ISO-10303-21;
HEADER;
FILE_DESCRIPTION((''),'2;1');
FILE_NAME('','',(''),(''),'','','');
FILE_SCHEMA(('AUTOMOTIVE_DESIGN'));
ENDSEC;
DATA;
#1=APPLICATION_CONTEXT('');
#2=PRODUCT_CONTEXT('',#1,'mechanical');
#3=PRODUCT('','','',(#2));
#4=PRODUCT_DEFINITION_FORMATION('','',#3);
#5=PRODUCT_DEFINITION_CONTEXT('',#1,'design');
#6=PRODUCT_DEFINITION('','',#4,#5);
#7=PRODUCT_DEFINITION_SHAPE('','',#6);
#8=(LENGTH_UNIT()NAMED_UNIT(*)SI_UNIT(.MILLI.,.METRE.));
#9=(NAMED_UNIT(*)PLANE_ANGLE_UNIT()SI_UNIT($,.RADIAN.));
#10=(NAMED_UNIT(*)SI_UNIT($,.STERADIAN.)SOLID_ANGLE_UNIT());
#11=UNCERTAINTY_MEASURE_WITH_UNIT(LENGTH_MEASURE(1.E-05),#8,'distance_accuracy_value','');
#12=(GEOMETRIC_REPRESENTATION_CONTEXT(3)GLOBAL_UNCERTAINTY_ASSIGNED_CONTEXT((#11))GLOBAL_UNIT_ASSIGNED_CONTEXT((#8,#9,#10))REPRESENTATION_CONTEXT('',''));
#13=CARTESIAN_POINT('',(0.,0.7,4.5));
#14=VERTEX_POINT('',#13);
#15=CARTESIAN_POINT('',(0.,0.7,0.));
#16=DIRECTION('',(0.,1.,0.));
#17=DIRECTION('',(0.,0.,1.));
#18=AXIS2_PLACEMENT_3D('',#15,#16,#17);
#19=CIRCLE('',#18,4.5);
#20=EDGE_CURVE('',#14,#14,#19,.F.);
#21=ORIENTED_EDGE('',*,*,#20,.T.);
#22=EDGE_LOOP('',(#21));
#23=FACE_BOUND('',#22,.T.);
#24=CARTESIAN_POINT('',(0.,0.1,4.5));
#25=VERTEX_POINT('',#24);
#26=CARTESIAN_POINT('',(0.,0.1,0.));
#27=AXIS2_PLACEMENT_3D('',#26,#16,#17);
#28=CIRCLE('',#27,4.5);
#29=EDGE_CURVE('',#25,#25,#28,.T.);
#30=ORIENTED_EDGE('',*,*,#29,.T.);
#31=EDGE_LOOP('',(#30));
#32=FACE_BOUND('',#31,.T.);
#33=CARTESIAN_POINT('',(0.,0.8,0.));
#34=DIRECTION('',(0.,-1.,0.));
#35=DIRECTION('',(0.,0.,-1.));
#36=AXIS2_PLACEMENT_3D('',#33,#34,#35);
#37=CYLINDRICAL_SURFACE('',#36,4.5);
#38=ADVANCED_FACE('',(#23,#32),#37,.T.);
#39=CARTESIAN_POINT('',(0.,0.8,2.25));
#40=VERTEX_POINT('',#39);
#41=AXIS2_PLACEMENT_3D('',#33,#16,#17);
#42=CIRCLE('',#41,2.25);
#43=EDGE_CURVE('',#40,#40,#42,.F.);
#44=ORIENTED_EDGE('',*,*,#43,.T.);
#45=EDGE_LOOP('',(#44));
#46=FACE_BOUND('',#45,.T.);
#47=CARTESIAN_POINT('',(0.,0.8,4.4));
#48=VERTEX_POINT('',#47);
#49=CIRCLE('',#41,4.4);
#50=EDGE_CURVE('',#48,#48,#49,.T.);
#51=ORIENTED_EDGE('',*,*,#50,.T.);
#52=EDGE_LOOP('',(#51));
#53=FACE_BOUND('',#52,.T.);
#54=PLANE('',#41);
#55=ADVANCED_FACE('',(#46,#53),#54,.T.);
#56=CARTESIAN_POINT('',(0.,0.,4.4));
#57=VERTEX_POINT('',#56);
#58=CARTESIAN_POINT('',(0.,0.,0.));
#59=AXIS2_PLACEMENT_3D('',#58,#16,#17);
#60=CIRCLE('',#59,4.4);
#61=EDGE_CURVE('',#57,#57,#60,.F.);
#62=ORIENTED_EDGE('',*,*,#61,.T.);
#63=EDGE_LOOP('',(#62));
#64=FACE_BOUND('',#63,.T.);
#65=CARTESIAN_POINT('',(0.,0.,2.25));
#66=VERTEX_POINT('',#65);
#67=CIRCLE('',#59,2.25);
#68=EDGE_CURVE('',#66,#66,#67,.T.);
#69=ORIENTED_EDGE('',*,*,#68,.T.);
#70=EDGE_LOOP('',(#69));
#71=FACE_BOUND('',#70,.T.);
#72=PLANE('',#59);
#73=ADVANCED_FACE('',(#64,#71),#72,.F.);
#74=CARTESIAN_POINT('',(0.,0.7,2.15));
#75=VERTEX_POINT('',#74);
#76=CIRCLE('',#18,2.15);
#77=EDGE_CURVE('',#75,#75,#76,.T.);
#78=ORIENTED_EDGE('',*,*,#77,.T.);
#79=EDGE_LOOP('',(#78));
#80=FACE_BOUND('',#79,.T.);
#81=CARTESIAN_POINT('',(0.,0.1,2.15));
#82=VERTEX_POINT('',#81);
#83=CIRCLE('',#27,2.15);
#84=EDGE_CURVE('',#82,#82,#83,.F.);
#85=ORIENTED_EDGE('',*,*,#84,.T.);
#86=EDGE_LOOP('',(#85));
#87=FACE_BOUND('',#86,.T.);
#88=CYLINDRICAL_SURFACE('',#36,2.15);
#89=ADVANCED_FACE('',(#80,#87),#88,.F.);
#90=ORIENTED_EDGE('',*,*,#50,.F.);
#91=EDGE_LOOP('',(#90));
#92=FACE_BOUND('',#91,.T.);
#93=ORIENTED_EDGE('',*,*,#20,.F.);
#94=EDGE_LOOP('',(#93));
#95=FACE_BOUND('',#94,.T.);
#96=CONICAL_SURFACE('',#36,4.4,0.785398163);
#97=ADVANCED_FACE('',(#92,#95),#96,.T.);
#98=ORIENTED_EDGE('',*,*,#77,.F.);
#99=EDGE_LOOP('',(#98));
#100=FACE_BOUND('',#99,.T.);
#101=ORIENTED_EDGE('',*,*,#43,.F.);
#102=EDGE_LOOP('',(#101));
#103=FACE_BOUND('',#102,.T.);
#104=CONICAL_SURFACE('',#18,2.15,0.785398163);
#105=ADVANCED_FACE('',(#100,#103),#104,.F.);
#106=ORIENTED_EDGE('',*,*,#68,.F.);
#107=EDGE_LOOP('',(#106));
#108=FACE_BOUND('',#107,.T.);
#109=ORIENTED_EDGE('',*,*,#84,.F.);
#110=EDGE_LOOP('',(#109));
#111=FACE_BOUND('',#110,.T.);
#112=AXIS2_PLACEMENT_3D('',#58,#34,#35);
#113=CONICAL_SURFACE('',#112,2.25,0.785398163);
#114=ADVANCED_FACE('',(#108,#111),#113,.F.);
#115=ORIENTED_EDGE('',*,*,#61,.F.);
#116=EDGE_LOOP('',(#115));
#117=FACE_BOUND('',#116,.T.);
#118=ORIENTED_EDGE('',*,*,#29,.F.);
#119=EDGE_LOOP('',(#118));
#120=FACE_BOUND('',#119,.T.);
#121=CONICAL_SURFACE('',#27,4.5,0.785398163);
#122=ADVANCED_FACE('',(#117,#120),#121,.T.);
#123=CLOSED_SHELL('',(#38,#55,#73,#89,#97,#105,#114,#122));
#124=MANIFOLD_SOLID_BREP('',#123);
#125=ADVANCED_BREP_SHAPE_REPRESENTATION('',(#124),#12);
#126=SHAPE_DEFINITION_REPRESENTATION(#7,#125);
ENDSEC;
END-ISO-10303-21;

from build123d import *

# Parameters (mm, degrees)
SKETCH1_R           = 4.5
SKETCH1_R_2         = 2.15
BOSS_EXTRUDE1_DEPTH = 0.8
CHAMFER1_SIZE       = 0.1


with BuildPart() as part:
    # Sketch1 → Boss-Extrude1 (new body)
    with BuildSketch(Plane(origin=(0, 0, 0), x_dir=(1, 0, 0), z_dir=(0, 1, 0))):
        with Locations(Location((0, 0, 0), (0, 0, 270))):
            Circle(SKETCH1_R)
        with Locations(Location((0, 0, 0), (0, 0, 270))):
            Circle(SKETCH1_R_2, mode=Mode.SUBTRACT)
    extrude(amount=BOSS_EXTRUDE1_DEPTH)

    # Chamfer1
    chamfer1_edges = [part.edges().sort_by_distance(p)[0] for p in [
        (0, 0, -4.5),
        (0, 0.8, -4.5),
        (0, 0, -2.15),
        (0, 0.8, -2.15),
    ]]
    chamfer(chamfer1_edges, length=CHAMFER1_SIZE)


solid = part.part
